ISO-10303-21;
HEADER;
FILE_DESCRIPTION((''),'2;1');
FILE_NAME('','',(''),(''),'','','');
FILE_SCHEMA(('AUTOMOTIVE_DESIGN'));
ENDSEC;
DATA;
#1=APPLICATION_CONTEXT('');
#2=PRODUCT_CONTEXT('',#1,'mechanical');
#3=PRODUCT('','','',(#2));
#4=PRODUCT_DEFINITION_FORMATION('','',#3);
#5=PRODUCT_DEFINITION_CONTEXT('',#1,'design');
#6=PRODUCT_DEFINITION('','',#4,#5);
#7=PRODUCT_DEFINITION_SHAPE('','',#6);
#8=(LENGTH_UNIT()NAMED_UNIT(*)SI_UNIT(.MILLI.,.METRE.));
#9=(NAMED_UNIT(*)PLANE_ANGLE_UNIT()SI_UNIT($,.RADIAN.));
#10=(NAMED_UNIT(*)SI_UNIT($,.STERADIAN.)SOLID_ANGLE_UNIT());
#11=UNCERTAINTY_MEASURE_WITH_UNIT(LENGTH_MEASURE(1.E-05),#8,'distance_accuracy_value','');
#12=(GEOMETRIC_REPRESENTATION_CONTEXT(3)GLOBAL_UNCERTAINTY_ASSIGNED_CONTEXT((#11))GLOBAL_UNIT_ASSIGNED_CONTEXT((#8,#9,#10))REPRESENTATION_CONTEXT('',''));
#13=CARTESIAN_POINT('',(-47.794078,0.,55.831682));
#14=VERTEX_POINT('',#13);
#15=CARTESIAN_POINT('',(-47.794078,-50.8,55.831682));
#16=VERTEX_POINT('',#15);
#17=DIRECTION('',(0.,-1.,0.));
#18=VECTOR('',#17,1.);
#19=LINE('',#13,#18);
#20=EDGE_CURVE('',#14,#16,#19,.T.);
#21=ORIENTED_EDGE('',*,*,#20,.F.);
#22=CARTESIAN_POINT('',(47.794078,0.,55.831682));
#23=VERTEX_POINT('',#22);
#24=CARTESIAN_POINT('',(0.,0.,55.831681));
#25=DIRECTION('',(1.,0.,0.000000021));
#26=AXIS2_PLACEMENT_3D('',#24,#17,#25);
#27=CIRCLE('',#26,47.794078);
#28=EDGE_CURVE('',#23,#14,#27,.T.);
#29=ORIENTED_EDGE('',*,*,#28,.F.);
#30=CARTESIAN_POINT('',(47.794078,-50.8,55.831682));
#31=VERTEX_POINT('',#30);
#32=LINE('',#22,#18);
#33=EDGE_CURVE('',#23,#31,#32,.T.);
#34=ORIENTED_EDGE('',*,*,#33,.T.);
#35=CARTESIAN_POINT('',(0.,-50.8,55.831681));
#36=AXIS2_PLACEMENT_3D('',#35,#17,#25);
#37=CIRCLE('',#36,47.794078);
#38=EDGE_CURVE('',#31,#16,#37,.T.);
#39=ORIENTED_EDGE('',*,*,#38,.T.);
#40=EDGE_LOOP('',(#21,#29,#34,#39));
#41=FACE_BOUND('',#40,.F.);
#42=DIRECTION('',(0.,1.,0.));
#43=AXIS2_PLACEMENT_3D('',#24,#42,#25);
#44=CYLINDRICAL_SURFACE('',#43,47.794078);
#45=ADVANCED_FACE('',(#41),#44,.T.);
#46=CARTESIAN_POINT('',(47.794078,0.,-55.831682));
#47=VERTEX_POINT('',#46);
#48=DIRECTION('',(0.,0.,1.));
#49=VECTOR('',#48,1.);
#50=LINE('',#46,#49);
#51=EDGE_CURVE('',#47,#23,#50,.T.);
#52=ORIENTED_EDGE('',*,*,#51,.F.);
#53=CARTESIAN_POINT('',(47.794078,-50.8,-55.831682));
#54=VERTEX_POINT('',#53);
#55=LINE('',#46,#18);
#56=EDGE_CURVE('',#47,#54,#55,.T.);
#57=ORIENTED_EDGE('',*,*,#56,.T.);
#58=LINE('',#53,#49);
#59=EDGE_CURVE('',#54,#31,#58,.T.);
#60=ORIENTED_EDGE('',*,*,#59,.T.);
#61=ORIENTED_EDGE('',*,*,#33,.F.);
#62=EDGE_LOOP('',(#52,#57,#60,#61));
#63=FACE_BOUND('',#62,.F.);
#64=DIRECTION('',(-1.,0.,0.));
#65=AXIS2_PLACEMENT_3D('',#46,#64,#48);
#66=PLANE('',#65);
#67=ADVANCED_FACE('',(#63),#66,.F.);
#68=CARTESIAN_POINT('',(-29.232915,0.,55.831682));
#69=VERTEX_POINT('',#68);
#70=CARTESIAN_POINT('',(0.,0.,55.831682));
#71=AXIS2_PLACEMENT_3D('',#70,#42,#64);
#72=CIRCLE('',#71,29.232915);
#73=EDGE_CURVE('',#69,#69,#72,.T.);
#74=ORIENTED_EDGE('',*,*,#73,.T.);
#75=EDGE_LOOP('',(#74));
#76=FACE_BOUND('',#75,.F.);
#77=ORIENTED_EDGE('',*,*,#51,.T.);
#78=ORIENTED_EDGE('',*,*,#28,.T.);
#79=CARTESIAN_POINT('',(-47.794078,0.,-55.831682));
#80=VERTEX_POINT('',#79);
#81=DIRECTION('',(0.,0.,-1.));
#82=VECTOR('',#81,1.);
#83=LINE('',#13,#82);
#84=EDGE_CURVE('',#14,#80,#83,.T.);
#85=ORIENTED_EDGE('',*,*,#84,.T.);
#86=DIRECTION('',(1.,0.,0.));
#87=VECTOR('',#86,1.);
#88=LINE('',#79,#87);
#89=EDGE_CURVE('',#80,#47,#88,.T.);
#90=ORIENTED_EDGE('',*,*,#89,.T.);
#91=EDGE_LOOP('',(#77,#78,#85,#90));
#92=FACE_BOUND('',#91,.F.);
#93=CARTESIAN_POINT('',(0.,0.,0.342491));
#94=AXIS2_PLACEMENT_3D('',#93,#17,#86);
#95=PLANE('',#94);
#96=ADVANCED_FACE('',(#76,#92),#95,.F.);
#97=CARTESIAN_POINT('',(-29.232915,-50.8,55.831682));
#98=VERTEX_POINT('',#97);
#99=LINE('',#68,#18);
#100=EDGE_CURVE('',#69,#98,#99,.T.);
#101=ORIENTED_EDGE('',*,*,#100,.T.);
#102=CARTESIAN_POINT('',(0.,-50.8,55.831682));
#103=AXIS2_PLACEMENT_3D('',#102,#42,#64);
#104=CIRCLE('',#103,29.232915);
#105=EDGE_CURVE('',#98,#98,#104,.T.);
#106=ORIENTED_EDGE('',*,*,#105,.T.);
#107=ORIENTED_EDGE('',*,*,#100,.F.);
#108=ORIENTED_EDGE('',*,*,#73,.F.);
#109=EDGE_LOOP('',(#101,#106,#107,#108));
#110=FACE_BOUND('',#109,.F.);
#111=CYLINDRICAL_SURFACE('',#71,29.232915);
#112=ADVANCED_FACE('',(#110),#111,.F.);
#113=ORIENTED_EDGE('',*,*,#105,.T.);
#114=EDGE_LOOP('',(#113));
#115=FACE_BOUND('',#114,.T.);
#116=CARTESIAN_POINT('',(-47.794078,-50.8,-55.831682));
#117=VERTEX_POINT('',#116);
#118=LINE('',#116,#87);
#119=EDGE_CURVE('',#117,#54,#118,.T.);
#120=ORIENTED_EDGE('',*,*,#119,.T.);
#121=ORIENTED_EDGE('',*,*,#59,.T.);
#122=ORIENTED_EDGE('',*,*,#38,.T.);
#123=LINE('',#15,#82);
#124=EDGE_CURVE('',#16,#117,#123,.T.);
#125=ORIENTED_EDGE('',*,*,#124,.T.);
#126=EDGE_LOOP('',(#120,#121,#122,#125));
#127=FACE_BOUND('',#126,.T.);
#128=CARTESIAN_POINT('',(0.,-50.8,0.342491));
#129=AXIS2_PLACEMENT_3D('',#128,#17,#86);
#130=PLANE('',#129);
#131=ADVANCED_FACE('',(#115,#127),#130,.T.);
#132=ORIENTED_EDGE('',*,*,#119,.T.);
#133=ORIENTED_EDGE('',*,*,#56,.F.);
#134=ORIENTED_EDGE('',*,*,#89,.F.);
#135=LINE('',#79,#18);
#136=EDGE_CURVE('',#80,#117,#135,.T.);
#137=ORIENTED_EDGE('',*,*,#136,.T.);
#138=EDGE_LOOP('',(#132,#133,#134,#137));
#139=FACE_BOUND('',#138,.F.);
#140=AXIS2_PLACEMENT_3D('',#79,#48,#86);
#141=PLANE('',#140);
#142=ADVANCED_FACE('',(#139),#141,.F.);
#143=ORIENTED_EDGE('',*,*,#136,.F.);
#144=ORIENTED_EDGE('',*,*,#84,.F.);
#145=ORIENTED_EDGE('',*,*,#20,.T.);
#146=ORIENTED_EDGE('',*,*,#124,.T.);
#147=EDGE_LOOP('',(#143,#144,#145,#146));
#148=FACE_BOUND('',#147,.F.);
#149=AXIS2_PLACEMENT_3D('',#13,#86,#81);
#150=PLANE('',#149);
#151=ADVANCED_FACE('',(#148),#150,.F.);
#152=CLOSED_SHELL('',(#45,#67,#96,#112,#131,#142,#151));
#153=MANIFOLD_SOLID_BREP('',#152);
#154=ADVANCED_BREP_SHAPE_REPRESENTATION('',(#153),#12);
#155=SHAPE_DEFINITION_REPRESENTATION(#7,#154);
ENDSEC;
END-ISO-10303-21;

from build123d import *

# Parameters (mm, degrees)
F1_DEPTH = 50.8


with BuildPart() as f1:
    # F0 (on Front) → F1 (new body)
    with BuildSketch(Plane.XZ):
        with BuildLine():
            Line((47.794078, -55.831682), (47.794078, 55.831682))
            Line((47.794078, 55.831682), (29.232915, 55.831682))
            ThreePointArc((29.232915, 55.831682), (0, 26.598767), (-29.232915, 55.831682))
            Line((-29.232915, 55.831682), (-47.794078, 55.831682))
            Line((-47.794078, 55.831682), (-47.794078, -55.831682))
            Line((-47.794078, -55.831682), (47.794078, -55.831682))
        make_face()
        with BuildLine():
            Line((29.232915, 55.831682), (47.794078, 55.831682))
            ThreePointArc((47.794078, 55.831682), (0, 103.625759), (-47.794078, 55.831682))
            Line((-47.794078, 55.831682), (-29.232915, 55.831682))
            ThreePointArc((-29.232915, 55.831682), (0, 85.064597), (29.232915, 55.831682))
        make_face()
    extrude(amount=F1_DEPTH)


solid = f1.part
